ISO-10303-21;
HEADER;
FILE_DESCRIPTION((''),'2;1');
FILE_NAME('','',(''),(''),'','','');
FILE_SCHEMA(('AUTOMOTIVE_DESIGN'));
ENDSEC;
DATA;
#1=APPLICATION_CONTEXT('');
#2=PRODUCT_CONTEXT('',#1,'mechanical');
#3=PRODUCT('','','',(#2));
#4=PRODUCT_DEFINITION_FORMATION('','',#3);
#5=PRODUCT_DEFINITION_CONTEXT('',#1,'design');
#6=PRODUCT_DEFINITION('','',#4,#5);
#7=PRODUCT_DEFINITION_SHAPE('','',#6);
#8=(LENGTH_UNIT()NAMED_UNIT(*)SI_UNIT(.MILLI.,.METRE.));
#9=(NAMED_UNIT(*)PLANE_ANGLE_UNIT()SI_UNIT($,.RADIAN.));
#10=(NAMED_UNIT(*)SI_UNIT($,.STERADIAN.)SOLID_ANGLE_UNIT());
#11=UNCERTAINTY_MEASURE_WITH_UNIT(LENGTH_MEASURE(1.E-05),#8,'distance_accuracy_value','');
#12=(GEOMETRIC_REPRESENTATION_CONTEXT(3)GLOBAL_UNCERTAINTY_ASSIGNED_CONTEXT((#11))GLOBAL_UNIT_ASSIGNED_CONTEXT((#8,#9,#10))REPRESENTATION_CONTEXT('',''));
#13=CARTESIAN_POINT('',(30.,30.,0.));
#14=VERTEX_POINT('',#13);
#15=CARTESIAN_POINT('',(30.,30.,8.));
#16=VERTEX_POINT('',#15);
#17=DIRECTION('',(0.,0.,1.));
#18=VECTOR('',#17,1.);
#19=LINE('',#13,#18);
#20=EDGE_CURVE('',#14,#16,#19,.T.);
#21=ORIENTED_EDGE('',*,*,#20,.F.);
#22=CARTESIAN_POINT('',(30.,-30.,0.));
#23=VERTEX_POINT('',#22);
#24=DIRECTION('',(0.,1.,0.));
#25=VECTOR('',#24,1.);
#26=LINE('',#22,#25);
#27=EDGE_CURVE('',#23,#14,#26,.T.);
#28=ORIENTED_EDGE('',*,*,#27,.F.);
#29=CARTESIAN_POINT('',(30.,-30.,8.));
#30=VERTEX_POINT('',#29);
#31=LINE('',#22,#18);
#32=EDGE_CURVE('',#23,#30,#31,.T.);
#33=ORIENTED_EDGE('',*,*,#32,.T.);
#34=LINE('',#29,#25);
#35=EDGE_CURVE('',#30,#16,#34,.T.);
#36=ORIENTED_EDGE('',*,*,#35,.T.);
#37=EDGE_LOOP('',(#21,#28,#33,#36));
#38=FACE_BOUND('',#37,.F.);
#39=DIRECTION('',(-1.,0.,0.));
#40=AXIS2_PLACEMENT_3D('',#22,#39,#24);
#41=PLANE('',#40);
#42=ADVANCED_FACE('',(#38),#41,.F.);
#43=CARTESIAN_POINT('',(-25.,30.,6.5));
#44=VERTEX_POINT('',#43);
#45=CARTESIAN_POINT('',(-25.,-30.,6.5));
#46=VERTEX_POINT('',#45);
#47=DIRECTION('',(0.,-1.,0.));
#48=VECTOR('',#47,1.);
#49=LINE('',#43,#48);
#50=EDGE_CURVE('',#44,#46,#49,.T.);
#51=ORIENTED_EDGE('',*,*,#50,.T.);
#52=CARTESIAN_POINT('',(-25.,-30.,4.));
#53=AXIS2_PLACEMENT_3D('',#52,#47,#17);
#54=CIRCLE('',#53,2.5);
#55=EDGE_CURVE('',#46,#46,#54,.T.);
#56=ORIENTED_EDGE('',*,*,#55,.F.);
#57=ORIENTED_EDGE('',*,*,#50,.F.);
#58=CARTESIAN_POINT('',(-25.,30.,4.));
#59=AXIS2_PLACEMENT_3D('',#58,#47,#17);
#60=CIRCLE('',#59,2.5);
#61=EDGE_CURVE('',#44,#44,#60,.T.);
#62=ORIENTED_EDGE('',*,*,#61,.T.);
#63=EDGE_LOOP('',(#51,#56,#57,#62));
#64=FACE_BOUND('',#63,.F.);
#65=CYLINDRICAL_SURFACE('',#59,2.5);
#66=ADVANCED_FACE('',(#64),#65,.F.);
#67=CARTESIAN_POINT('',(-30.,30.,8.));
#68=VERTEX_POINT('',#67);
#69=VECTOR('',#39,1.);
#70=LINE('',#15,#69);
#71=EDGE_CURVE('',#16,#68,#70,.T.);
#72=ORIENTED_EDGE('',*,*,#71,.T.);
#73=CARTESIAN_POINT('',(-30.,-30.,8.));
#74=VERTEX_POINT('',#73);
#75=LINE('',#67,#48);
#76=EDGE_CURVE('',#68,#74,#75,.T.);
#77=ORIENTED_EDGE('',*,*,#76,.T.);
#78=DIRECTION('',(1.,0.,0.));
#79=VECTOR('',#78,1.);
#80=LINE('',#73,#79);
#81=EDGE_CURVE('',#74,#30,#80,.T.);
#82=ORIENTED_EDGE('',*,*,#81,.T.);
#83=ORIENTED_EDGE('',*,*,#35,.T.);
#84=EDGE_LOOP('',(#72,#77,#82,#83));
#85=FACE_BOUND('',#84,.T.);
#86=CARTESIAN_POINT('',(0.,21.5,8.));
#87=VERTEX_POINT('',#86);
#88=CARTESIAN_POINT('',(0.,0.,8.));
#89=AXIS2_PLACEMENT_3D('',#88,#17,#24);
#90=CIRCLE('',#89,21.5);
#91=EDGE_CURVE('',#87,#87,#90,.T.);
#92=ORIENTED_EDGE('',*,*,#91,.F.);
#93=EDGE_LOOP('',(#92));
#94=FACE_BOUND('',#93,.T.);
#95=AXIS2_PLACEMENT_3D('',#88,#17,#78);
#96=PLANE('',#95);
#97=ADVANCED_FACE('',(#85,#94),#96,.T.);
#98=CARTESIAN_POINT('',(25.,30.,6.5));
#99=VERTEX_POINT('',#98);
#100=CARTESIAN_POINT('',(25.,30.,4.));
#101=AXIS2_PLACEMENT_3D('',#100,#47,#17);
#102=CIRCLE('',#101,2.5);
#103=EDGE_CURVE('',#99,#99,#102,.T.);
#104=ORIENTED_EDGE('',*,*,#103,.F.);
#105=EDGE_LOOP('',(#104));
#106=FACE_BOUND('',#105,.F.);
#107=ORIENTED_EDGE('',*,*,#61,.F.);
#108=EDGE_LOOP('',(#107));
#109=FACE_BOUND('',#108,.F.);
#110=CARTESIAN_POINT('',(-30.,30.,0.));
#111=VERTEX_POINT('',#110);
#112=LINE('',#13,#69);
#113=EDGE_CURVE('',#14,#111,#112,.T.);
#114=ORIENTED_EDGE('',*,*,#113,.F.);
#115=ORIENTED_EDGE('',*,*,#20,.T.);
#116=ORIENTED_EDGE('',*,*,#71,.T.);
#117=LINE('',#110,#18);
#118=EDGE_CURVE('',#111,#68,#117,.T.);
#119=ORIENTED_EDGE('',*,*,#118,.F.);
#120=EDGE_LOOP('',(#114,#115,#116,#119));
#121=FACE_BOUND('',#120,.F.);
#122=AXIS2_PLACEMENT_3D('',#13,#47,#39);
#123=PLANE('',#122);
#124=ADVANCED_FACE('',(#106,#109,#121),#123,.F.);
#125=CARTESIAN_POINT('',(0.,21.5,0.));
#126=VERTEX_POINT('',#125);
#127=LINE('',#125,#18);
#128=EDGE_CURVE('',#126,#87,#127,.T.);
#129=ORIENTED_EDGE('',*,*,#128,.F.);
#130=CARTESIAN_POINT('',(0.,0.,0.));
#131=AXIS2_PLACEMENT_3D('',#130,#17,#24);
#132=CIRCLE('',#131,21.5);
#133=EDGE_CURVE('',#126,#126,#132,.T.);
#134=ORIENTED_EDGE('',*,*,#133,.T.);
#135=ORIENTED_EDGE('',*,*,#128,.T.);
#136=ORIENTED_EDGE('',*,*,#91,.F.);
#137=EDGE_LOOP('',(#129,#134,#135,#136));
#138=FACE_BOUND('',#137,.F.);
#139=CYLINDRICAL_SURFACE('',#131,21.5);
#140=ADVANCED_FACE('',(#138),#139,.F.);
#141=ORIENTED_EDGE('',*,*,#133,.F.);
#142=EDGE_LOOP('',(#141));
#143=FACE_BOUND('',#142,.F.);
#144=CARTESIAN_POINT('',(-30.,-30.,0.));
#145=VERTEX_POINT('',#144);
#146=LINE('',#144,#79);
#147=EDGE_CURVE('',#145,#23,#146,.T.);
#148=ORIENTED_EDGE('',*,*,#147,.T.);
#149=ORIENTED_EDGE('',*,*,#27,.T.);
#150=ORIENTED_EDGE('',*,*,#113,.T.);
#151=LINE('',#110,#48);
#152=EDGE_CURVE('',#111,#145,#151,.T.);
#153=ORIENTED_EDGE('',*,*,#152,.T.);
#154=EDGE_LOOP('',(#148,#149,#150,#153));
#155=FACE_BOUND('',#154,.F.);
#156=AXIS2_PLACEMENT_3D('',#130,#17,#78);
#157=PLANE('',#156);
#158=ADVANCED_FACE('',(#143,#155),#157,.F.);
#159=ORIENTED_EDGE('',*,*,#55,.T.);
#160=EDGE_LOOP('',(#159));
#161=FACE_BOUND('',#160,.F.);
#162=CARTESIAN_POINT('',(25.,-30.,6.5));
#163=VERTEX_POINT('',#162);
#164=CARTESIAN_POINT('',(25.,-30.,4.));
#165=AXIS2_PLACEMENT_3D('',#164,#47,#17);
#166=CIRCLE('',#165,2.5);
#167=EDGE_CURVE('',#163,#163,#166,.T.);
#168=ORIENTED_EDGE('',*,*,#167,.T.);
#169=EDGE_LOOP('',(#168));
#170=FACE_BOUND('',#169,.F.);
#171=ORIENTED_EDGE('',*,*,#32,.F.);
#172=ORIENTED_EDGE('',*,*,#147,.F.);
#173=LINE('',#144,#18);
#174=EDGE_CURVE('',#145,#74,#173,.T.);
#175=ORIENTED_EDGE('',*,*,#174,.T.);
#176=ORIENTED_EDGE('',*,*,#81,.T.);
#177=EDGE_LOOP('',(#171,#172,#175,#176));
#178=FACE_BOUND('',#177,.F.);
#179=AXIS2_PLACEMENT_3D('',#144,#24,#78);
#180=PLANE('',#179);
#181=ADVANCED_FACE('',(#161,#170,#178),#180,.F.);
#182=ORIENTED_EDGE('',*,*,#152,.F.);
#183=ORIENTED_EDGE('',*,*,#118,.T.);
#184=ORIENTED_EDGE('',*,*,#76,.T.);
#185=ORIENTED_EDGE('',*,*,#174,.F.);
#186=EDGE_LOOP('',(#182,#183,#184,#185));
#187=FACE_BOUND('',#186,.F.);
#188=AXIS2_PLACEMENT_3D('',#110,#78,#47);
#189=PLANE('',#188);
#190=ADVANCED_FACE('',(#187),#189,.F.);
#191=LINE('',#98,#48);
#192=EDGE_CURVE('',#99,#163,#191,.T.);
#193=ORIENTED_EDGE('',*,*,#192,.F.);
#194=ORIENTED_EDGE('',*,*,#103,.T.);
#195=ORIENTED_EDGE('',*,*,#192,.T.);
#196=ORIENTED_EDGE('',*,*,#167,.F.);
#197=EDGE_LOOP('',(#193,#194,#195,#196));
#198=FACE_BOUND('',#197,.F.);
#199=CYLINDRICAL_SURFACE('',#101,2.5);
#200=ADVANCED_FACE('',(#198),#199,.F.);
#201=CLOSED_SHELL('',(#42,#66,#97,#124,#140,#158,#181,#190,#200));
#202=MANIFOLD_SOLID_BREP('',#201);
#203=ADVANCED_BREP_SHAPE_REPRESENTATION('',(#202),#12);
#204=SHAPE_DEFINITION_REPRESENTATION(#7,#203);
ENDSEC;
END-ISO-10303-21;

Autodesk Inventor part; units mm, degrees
ref_plane "YZ Plane" through (0, 0, 0) normal (1, 0, 0) x (0, 1, 0)
ref_plane "XZ Plane" through (0, 0, 0) normal (0, 1, 0) x (-1, 0, 0)
ref_plane "XY Plane" through (0, 0, 0) normal (0, 0, 1) x (1, 0, 0)
sketch "Sketch1" plane through (0, 0, 0) normal (0, 0, 1) x (1, 0, 0)
  line L0 (-30, -30) -> (30, -30)
  line L1 (30, -30) -> (30, 30)
  line L2 (30, 30) -> (-30, 30)
  line L3 (-30, 30) -> (-30, -30)
  line L4 (-30, -30) -> (30, 30) construction
  line L5 (30, -30) -> (-30, 30) construction
  point P0 (0, 0)
  dimension "d0" = 60
  dimension "d1" = 60
extrude "Extrusion1" add sketch "Sketch1" along normal blind 8
hole "Hole1" at (0, 0, 0) direction (0, 0, 1) diameter 43 end through all
sketch "Sketch2" plane through (-30, 30, 0) normal (0, 1, 0) x (1, 0, 0)
  line L0 (60, 0) -> (0, 0) projected
  line L1 (0, 0) -> (0, -8) projected
  line L2 (60, -8) -> (0, -8) projected
  line L3 (60, 0) -> (60, -8) projected
  point P0 (30, 0)
  point P1 (55, -4)
  point P2 (5, -4)
  dimension "d11" = 5
  dimension "d12" = 5
hole "Hole2" at (-25, 30, 4) at (25, 30, 4) direction (0, -1, 0) diameter 5 end through all
equation "\"d12\" = d11"
properties part number "SpacerSmall"
